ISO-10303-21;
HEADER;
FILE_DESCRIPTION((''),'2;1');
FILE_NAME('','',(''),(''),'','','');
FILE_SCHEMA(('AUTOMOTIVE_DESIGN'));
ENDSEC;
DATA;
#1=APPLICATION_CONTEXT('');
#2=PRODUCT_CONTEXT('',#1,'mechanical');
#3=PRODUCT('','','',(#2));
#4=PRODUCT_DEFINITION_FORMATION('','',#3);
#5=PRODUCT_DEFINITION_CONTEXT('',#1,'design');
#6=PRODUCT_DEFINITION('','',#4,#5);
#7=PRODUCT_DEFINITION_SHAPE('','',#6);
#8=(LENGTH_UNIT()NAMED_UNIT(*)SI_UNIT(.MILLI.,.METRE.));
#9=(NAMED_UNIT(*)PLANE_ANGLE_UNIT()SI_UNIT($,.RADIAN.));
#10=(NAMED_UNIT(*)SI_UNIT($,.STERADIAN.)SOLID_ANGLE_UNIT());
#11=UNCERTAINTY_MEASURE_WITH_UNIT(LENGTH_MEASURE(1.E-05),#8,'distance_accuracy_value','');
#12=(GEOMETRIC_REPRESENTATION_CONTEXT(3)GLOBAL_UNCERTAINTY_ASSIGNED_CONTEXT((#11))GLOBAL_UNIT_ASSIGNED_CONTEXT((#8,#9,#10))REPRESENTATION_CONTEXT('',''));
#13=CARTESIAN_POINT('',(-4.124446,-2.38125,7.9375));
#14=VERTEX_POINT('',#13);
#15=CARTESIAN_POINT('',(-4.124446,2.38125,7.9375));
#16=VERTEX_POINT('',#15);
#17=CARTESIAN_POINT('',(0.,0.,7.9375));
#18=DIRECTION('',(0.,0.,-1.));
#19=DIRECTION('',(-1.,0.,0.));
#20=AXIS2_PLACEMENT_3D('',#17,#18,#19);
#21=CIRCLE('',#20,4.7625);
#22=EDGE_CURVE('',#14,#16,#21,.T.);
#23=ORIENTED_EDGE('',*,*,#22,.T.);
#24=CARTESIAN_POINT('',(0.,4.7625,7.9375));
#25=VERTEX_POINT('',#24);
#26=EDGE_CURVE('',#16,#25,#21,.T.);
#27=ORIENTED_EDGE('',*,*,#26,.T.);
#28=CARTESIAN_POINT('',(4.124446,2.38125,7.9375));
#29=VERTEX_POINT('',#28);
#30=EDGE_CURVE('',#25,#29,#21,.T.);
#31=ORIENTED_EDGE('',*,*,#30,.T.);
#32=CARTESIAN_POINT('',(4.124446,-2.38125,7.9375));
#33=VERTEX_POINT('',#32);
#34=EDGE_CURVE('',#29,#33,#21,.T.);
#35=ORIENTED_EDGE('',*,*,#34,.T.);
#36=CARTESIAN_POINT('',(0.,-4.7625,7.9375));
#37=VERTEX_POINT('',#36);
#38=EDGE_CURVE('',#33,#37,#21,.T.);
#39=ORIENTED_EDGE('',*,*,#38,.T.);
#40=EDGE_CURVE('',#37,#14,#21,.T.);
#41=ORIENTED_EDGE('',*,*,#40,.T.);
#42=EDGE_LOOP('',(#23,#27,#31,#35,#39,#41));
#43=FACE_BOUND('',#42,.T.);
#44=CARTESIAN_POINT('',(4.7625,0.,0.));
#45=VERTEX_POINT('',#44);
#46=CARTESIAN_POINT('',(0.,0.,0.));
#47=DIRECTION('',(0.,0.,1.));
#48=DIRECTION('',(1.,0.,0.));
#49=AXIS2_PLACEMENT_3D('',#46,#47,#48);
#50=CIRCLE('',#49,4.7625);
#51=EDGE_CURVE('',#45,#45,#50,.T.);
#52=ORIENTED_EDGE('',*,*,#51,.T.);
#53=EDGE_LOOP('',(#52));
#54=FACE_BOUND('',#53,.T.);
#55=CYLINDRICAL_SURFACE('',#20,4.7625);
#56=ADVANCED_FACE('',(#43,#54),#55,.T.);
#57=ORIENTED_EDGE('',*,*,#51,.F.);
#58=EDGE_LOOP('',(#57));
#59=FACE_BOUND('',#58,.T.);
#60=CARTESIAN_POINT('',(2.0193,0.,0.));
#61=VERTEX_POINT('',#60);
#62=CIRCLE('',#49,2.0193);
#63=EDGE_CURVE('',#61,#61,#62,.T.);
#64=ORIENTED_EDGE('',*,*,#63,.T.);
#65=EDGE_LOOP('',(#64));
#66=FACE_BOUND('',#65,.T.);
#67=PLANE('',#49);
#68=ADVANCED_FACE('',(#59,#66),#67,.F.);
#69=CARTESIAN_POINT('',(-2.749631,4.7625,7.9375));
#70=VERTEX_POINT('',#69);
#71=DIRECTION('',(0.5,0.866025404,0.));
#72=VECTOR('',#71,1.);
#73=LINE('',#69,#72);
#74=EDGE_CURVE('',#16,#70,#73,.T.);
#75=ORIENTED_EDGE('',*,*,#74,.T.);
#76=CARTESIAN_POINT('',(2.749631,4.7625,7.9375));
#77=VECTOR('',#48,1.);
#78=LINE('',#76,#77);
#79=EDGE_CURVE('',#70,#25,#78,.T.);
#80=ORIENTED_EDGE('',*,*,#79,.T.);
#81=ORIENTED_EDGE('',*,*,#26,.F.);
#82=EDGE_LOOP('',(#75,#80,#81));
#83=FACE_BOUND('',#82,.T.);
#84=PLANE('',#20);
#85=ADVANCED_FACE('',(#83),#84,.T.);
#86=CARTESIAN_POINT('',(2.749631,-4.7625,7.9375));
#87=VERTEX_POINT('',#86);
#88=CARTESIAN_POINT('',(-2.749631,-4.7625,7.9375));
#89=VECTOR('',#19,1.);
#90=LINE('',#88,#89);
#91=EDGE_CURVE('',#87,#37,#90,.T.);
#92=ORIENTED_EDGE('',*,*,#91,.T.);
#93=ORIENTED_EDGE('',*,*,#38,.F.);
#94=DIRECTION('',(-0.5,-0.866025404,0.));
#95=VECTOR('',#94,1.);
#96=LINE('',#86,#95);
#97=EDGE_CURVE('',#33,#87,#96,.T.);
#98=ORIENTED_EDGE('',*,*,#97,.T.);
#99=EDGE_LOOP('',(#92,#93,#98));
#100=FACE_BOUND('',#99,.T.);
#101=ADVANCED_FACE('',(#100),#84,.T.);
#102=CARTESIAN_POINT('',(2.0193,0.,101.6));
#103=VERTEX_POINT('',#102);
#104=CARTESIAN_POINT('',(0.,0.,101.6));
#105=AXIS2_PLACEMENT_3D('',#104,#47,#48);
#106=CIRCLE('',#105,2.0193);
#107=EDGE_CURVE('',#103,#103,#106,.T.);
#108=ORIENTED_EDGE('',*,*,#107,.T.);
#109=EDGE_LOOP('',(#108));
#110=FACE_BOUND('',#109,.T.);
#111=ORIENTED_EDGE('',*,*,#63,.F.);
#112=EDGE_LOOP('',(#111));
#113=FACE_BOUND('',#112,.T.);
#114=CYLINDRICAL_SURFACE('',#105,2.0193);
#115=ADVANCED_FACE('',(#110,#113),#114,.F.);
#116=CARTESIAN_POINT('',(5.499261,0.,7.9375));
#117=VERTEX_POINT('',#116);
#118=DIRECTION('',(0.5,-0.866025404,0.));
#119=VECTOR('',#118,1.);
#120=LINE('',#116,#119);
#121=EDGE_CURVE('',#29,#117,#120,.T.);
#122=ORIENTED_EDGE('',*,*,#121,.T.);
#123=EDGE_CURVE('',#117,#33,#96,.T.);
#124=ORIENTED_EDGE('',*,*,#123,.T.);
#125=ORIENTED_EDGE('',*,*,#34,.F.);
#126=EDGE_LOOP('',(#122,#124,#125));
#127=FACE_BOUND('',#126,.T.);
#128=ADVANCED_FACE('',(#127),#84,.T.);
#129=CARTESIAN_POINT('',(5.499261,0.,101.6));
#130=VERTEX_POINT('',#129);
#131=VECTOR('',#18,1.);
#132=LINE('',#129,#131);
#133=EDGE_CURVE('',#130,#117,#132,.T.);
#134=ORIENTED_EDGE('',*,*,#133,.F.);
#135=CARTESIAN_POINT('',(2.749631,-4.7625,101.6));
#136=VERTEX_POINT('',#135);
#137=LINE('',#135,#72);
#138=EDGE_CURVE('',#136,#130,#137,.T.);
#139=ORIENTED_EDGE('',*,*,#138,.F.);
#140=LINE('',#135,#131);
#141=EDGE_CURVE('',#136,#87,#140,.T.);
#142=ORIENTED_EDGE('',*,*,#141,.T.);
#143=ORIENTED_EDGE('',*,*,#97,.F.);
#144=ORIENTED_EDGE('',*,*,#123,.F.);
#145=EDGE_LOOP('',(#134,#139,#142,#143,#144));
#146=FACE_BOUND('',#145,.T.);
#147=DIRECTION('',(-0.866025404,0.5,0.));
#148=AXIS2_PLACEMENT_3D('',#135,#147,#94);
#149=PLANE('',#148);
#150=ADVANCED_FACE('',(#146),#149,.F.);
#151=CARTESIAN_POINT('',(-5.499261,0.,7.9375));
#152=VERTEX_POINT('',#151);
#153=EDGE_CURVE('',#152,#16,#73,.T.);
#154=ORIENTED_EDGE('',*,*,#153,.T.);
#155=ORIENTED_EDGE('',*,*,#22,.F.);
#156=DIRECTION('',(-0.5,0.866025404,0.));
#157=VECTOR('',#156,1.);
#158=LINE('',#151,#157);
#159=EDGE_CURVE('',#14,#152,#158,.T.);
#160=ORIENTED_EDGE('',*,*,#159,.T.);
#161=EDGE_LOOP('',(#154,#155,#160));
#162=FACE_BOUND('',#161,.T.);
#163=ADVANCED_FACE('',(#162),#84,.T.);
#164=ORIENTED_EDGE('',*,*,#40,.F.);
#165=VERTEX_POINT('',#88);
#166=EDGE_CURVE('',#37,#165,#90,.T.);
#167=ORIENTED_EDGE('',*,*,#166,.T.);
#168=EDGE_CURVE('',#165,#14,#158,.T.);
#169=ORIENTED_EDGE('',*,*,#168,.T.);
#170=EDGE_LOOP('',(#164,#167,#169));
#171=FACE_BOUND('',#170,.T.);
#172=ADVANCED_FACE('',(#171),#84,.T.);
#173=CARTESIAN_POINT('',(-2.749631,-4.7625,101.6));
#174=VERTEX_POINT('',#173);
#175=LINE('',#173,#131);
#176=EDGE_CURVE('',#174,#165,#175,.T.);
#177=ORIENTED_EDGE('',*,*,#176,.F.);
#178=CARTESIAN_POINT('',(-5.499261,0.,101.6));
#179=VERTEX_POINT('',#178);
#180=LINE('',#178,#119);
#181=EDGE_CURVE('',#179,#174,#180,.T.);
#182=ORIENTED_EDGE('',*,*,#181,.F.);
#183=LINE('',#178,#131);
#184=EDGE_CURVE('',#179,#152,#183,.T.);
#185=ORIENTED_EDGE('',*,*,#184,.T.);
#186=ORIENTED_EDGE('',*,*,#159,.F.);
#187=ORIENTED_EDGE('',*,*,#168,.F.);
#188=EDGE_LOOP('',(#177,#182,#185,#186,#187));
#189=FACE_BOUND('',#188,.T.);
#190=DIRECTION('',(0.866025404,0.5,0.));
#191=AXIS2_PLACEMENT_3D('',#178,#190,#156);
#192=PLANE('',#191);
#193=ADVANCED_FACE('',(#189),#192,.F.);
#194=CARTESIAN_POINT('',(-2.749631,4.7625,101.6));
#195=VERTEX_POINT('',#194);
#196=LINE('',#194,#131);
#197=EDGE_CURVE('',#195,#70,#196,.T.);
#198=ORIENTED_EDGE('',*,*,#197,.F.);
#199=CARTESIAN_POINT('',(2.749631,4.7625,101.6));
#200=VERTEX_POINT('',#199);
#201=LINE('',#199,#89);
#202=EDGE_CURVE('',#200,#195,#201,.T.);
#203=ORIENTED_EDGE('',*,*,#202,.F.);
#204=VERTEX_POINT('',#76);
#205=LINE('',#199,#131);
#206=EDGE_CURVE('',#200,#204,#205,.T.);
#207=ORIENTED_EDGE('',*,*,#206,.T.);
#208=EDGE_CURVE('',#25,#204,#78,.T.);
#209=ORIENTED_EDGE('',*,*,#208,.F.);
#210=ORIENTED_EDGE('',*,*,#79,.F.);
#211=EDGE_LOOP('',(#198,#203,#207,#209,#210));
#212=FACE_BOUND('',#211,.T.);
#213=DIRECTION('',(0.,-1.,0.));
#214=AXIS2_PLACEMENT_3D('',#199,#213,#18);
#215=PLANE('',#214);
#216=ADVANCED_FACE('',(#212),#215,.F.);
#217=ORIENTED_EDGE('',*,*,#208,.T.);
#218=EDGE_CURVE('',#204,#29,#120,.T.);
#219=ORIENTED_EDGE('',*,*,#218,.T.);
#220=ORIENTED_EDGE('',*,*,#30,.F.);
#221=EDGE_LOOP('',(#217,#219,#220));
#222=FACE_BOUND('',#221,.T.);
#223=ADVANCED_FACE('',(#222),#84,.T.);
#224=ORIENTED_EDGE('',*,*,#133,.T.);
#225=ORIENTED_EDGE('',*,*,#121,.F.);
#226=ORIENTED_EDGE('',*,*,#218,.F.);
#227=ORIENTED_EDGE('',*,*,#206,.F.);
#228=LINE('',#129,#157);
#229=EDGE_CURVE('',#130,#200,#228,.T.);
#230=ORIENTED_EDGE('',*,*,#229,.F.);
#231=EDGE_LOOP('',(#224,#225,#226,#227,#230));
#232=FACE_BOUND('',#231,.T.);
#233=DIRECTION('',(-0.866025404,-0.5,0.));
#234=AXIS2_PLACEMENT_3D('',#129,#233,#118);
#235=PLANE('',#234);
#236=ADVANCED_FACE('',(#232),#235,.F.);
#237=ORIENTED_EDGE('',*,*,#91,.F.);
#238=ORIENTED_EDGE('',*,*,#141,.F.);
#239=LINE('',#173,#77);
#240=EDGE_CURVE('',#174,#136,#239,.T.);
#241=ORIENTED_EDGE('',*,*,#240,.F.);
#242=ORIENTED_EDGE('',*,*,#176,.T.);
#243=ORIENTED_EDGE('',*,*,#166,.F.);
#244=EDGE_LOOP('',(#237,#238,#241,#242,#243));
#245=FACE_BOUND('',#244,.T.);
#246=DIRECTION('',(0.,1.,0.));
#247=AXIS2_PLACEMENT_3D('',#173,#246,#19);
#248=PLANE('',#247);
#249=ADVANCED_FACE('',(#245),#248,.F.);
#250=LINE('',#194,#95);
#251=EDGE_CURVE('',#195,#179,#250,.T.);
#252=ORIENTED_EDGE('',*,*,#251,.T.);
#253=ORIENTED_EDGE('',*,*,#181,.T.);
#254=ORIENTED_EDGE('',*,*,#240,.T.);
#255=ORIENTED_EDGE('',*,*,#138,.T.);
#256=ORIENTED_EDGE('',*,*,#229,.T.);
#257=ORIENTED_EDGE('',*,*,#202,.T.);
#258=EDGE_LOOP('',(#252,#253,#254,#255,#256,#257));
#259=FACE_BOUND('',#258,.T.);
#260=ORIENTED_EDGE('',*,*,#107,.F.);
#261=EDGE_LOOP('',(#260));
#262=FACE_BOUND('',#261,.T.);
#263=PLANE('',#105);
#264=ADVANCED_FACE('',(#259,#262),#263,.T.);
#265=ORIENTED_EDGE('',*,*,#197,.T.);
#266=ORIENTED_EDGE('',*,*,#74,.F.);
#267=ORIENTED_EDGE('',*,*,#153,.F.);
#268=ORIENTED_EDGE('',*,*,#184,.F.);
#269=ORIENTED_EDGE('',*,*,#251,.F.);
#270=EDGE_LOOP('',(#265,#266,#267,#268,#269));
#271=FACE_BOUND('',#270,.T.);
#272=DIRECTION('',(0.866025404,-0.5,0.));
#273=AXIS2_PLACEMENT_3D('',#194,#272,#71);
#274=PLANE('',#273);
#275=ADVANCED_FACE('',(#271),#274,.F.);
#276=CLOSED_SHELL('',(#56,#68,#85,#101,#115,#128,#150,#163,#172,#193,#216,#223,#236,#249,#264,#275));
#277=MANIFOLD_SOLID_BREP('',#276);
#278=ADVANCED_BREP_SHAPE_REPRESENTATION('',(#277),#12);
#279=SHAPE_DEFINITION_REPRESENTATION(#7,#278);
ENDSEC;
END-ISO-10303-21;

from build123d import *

# Parameters (mm, degrees)
BOSS_EXTRUDE1_DEPTH    = 101.6
F_10_32_TAPPED_HOLE1_D = 4.0386
SKETCH5_OUTSIDE_W      = 33.526
SKETCH5_OUTSIDE_H      = 32.054
SKETCH5_OUTSIDE_R      = 4.7625
CUT_EXTRUDE1_DEPTH     = 7.9375


with BuildPart() as part:
    # Sketch1 → Boss-Extrude1 (new body)
    with BuildSketch(Plane.XY):
        Polygon((2.749630657, -4.7625), (5.499261314, 0), (2.749630657, 4.7625), (-2.749630657, 4.7625), (-5.499261314, 0), (-2.749630657, -4.7625), align=None)
    extrude(amount=BOSS_EXTRUDE1_DEPTH)

    # #10-32 Tapped Hole1 (through all)
    with Locations(Plane.XY.offset(101.6)):
        with Locations((0, 0)):
            Hole(F_10_32_TAPPED_HOLE1_D / 2)

    # Sketch5 outside → Cut-Extrude1 (cut)
    with BuildSketch(Plane(origin=(0, 0, 0), x_dir=(-1, 0, 0), z_dir=(0, 0, -1))):
        Rectangle(SKETCH5_OUTSIDE_W, SKETCH5_OUTSIDE_H)
        with Locations(Location((0, 0, 0), (0, 0, 330))):  # turned: the seam where the file's is
            Circle(SKETCH5_OUTSIDE_R, mode=Mode.SUBTRACT)
    extrude(amount=-CUT_EXTRUDE1_DEPTH, mode=Mode.SUBTRACT)


solid = part.part
